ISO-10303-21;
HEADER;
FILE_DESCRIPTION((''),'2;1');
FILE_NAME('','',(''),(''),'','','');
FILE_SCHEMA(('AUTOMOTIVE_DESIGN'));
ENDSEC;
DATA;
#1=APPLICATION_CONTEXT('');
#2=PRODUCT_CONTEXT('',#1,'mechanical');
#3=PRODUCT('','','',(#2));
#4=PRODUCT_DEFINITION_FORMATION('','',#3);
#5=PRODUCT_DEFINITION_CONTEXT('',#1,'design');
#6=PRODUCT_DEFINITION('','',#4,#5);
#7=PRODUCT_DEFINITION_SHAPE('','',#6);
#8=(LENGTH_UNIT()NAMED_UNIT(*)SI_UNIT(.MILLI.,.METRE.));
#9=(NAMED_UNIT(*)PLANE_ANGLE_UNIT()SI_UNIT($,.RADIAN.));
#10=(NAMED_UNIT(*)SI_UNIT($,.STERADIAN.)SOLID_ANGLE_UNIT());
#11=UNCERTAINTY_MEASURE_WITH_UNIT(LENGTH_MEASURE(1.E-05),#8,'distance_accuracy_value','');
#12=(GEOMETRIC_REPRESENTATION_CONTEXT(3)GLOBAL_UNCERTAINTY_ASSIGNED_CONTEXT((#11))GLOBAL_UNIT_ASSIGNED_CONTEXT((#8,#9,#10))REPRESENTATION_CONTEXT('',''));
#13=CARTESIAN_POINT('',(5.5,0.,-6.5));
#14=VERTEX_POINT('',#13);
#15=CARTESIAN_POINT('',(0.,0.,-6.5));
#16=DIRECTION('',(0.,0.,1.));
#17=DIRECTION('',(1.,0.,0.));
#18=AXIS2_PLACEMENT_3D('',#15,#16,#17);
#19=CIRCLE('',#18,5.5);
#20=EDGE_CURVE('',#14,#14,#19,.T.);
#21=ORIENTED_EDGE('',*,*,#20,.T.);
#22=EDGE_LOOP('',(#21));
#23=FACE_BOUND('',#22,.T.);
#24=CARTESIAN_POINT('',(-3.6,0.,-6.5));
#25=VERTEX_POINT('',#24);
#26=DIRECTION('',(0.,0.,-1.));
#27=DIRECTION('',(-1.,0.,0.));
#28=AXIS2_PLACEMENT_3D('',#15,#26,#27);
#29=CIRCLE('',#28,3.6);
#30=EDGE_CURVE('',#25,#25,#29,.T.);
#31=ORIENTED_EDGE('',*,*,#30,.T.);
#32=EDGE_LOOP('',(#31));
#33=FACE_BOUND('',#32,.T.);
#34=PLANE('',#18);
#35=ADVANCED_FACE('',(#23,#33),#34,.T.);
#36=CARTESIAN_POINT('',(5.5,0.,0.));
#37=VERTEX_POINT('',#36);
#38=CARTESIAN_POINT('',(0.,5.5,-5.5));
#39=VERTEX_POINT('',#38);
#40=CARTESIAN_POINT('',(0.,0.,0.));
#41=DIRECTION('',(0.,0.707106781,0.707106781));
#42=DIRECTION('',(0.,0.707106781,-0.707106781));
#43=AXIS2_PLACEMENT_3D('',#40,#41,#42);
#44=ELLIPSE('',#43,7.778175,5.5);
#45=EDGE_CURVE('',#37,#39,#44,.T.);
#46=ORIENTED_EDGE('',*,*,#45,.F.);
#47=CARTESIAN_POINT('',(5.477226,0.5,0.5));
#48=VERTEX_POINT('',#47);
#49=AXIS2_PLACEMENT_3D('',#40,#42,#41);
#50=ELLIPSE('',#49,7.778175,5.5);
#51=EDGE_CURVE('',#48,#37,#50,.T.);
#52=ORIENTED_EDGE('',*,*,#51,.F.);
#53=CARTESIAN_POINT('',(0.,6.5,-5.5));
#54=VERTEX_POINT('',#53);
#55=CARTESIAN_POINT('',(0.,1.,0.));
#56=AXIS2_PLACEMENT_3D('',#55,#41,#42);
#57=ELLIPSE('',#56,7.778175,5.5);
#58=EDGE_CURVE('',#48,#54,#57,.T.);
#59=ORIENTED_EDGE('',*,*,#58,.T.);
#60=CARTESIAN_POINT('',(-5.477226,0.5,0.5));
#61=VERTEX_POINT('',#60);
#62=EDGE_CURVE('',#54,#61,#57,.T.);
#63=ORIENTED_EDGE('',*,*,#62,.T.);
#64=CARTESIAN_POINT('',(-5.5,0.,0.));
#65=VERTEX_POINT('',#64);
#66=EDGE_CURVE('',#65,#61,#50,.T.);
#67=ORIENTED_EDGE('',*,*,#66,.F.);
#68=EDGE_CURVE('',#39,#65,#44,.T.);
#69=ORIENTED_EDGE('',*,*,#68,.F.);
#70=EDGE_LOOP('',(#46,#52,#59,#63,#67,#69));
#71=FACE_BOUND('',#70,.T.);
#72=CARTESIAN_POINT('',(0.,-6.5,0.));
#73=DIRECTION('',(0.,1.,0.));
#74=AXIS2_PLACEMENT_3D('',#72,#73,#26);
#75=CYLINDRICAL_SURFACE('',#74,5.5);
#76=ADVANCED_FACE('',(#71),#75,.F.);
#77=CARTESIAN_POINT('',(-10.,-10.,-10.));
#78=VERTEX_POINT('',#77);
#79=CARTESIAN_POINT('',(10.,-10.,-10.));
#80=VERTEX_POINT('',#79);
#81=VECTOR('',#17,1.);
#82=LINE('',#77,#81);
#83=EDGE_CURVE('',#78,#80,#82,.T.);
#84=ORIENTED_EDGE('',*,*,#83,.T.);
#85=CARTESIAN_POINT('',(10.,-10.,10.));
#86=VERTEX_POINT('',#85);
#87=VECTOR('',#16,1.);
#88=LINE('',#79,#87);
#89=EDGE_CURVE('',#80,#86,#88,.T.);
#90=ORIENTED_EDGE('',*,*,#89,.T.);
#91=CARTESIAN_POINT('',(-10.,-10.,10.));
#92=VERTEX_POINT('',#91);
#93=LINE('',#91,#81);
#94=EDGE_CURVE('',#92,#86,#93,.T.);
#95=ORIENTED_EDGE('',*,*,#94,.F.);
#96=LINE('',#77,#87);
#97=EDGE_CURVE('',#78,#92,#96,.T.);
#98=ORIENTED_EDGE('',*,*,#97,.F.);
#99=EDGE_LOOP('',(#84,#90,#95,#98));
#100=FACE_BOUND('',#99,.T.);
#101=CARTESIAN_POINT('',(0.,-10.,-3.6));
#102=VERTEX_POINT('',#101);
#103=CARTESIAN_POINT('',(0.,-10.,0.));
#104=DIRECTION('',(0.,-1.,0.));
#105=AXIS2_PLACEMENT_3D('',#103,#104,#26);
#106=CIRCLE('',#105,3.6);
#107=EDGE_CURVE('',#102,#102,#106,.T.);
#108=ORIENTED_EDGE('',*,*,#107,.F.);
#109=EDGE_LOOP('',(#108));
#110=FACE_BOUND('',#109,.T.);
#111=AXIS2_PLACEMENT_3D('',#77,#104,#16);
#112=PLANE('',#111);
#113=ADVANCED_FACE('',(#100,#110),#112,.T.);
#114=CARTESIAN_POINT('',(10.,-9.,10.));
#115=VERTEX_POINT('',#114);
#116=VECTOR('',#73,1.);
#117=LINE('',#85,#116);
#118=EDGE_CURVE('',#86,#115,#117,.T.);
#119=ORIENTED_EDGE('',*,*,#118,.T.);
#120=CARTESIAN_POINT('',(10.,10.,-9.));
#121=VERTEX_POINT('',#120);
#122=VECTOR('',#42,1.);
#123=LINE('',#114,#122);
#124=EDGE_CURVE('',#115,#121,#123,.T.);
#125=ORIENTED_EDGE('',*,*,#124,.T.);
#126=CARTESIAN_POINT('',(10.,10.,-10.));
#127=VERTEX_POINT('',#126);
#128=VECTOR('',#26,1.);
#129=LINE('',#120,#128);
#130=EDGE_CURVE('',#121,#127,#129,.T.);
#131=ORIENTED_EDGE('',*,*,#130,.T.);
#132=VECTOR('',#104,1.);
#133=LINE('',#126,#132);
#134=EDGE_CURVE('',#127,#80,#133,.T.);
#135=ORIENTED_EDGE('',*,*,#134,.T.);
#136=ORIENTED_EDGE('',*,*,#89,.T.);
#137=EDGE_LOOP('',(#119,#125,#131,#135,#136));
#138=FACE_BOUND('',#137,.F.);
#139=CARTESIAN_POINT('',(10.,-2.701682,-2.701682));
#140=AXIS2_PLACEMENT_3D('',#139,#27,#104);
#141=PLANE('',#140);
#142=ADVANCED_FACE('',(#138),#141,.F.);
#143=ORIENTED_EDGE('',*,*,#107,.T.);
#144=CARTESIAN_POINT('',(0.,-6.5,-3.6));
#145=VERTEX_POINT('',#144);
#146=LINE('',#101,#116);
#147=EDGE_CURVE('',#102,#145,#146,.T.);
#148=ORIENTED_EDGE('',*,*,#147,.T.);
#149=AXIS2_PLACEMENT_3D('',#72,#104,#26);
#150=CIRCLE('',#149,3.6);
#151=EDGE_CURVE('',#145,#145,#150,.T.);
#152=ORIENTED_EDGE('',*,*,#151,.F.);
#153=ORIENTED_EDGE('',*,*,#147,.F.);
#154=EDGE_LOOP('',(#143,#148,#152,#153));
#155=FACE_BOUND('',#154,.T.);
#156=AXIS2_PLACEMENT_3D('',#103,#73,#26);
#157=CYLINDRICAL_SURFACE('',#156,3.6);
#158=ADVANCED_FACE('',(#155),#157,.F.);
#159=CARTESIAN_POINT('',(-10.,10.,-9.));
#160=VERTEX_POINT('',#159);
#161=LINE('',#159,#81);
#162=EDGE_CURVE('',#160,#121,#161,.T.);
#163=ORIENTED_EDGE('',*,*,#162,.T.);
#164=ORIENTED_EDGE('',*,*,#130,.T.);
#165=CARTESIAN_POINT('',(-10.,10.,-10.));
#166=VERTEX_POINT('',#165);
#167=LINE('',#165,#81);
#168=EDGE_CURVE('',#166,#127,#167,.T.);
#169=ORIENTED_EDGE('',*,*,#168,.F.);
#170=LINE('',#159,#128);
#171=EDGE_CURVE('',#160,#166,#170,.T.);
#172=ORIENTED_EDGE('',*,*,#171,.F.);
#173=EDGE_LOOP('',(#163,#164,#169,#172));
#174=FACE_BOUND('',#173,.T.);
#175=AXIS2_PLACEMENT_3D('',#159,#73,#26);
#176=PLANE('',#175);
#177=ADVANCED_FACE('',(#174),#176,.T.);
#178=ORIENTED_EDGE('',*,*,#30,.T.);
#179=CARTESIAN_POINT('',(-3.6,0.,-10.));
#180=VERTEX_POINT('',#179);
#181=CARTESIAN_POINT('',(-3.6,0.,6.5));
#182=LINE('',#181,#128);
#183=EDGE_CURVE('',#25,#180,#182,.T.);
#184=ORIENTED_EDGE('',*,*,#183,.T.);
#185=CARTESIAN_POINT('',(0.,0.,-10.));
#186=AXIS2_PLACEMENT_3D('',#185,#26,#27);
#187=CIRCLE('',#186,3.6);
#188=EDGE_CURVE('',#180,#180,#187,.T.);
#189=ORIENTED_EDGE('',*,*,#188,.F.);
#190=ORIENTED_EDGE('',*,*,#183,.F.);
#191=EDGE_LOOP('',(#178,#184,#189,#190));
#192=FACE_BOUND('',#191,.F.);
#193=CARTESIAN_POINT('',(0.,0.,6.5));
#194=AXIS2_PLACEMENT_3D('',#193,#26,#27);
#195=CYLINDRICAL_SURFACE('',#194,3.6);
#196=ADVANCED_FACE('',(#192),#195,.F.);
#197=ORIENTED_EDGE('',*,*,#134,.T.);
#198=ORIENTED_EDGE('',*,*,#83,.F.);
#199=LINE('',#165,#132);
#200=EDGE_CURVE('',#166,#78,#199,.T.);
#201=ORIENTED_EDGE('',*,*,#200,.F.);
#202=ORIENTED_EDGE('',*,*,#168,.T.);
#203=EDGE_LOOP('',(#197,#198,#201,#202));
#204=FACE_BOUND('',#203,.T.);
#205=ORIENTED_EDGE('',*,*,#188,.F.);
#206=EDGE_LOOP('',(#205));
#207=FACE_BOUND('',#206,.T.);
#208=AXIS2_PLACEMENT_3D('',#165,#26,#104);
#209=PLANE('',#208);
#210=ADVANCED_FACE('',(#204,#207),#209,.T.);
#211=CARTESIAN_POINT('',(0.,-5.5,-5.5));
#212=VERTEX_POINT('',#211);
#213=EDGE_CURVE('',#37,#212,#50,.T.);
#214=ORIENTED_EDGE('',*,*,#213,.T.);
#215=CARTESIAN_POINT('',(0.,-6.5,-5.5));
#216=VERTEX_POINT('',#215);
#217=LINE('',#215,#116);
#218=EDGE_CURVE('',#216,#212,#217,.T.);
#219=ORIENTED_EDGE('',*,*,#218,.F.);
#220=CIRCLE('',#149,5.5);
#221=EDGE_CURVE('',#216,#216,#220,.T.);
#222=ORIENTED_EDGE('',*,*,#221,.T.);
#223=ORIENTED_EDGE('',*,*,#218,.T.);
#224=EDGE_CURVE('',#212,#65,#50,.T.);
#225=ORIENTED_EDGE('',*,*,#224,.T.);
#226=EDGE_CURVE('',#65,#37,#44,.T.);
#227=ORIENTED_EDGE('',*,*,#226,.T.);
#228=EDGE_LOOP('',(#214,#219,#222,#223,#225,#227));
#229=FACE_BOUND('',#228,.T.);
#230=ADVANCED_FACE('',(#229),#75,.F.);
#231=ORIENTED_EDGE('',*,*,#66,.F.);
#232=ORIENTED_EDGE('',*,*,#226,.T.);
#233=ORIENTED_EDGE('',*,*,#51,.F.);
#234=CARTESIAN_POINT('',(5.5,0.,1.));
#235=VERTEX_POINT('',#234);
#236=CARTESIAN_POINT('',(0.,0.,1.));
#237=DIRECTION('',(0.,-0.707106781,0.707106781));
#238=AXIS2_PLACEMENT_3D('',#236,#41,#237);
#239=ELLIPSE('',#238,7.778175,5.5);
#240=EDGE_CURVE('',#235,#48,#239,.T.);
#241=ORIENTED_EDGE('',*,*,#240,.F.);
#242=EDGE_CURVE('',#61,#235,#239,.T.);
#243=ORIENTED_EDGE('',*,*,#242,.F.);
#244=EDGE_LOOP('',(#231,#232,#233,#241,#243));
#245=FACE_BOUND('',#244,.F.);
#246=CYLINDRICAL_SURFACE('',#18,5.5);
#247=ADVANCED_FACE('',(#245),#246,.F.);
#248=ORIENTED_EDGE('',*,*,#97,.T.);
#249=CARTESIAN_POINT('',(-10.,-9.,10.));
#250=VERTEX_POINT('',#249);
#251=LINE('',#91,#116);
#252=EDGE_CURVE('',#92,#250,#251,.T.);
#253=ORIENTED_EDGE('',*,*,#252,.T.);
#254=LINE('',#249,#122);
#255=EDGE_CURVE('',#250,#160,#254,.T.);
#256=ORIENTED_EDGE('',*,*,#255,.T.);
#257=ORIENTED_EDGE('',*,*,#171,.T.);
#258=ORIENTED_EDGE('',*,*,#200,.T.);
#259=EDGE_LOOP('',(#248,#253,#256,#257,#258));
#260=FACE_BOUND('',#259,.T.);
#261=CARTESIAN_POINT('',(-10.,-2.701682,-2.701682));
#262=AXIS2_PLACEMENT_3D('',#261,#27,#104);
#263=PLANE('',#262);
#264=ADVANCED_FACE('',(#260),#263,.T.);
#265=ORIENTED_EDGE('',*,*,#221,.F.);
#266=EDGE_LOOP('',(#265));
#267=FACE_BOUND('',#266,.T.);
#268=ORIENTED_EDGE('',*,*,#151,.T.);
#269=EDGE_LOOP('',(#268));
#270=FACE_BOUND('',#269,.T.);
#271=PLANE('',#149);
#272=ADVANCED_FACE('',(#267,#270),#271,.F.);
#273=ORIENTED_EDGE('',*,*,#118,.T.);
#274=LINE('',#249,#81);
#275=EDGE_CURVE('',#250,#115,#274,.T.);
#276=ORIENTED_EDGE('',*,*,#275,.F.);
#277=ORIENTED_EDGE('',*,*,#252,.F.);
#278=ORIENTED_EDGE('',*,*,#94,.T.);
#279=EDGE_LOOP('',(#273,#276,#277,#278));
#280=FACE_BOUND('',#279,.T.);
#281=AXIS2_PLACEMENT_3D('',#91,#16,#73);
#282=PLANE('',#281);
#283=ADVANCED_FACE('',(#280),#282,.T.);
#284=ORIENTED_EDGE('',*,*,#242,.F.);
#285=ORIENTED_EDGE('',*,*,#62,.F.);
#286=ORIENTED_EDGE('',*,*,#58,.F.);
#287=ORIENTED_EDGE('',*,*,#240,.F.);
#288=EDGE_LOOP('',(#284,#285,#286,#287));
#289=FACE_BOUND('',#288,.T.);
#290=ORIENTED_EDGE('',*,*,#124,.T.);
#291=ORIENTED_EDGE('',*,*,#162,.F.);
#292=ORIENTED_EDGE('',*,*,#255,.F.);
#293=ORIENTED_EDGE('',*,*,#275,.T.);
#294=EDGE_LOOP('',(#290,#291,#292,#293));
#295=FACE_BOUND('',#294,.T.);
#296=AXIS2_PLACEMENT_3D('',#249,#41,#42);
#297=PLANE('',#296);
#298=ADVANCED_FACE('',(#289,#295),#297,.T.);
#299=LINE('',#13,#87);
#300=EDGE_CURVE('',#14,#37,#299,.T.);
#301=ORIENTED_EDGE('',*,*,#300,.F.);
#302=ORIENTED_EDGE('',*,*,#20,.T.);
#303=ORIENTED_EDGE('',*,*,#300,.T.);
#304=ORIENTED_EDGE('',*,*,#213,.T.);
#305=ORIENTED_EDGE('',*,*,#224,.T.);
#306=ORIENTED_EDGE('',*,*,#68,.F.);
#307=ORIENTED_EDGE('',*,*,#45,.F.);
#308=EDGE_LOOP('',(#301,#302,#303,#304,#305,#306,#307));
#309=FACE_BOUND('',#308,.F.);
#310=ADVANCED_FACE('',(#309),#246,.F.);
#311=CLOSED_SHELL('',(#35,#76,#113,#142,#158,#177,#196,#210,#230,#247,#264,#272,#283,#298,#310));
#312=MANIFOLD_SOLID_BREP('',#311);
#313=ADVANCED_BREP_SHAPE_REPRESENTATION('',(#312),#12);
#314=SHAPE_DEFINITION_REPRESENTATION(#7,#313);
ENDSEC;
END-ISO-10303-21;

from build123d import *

# Parameters (mm, degrees)
BOSS_EXTRUDE1_DEPTH = 20
HOLE1_D             = 7.2
HOLE1_DEPTH         = 16.5
HOLE1_CBORE_D       = 11
HOLE1_CBORE_DEPTH   = 13


with BuildPart() as part:
    # Sketch1 → Boss-Extrude1 (new body)
    with BuildSketch(Plane(origin=(-10, 0, 0), x_dir=(0, -1, 0), z_dir=(-1, 0, 0))):
        Polygon((9, 10), (-10, -9), (-10, -10), (10, -10), (10, 10), align=None)
    extrude(amount=-BOSS_EXTRUDE1_DEPTH)

    # Sketch2 → Cut-Revolve1 (revolve, cut)
    with BuildSketch(Plane(origin=(0, 0, 0), x_dir=(0, 0, -1), z_dir=(1, 0, 0))):
        Polygon((5.5, 6.5), (0, 6.5), (0, -10), (3.6, -10), (3.6, -6.5), (5.5, -6.5), align=None)
    revolve(axis=Axis((0, 6.5, 0), (0, -1, 0)), mode=Mode.SUBTRACT)

    # Hole1
    with Locations(Plane.XY.offset(6.5)):
        with Locations((0, 0)):
            CounterBoreHole(HOLE1_D / 2, HOLE1_CBORE_D / 2, HOLE1_CBORE_DEPTH, depth=HOLE1_DEPTH)


solid = part.part
